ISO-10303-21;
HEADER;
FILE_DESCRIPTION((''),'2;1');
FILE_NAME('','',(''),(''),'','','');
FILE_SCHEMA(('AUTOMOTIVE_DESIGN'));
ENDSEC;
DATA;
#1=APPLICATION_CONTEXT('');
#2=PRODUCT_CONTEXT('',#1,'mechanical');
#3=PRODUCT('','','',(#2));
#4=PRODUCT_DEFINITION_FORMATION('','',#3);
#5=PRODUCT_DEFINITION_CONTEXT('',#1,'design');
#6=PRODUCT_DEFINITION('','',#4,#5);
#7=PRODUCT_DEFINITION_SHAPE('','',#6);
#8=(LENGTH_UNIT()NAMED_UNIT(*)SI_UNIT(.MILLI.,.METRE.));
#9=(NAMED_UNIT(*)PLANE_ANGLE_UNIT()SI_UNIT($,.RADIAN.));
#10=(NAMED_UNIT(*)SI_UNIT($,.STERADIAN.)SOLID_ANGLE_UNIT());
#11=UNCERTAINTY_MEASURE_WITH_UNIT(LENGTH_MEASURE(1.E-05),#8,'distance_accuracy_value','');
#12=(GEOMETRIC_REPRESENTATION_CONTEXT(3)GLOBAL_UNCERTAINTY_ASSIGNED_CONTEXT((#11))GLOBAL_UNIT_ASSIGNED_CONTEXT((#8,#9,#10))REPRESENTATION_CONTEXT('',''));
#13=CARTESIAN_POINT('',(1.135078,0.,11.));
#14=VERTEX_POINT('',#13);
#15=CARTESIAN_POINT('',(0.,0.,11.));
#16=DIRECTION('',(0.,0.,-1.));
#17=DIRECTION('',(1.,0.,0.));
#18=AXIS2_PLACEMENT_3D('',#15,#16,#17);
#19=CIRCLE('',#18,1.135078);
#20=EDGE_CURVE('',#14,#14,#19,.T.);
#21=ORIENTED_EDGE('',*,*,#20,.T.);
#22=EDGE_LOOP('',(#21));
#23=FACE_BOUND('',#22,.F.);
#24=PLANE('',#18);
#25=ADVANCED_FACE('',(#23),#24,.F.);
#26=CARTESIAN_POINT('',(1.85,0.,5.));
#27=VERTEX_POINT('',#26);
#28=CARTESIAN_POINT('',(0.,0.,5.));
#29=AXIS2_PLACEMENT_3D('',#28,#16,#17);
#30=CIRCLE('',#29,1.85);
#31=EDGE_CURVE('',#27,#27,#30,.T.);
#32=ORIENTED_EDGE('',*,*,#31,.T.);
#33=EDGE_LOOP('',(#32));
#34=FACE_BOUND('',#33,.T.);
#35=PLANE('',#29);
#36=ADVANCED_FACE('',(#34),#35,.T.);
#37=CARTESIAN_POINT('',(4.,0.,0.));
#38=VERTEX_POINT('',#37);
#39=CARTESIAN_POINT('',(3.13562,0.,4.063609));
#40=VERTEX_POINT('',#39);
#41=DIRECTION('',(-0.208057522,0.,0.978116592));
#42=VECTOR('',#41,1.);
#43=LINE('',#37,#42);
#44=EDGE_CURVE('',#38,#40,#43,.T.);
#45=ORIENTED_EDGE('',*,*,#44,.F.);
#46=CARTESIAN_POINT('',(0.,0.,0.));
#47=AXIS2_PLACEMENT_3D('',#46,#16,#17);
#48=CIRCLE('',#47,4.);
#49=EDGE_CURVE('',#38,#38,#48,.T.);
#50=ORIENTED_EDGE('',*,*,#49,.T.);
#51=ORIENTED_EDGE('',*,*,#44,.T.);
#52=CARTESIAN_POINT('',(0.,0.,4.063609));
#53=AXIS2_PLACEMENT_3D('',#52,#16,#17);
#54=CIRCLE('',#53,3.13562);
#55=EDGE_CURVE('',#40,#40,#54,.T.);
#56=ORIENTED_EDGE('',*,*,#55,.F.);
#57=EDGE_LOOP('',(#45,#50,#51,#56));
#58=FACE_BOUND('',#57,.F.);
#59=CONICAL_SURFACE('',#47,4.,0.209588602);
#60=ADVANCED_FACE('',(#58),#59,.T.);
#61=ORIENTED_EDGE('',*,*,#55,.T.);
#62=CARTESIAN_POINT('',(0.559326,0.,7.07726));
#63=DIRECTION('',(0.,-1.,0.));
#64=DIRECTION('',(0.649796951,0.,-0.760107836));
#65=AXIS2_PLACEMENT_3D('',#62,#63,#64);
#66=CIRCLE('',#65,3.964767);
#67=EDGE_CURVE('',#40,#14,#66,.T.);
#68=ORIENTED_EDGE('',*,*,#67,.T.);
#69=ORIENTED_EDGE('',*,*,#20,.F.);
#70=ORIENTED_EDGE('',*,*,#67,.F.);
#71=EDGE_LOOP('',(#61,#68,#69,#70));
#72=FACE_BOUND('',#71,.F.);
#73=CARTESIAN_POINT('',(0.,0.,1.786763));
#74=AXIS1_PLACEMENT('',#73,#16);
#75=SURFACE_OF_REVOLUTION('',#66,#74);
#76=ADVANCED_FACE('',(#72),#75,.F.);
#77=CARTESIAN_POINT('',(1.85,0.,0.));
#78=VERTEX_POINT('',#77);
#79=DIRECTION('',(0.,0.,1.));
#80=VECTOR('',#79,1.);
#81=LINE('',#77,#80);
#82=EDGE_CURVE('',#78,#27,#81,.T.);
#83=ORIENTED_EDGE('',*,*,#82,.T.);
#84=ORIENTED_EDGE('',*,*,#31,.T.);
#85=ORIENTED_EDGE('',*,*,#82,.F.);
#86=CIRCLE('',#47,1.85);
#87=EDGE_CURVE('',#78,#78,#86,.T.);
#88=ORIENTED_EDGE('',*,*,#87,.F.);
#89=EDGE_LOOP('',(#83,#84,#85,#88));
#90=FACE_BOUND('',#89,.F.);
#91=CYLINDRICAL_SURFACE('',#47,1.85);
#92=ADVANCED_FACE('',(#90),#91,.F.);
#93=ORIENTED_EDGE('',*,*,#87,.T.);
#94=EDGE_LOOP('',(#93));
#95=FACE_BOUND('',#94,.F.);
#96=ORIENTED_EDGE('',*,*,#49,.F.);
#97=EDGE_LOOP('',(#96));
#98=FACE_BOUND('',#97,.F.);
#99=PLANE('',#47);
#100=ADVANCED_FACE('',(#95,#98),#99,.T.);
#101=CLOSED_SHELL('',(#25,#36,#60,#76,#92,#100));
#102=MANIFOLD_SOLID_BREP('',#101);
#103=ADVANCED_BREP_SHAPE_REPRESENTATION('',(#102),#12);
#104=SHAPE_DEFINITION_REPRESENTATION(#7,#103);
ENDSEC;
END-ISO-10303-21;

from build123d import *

# Parameters (mm, degrees)
F2_R     = 1.85
F3_DEPTH = 5


with BuildPart() as f1:
    # F0 (on Front) → F1 (revolve)
    with BuildSketch(Plane.XZ):
        with BuildLine():
            Line((0, 11), (0, 0))
            Line((0, 0), (4, 0))
            Line((4, 0), (3.13562, 4.063609))
            ThreePointArc((3.13562, 4.063609), (4.368818, 8.175965), (1.135078, 11))
            Line((1.135078, 11), (0, 11))
        make_face()
    revolve(axis=Axis((0, 0, 1.786763), (0, 0, -1)))

    # F2 (on face) → F3 (cut)
    with BuildSketch(Plane(origin=(0, 0, 0), x_dir=(1, 0, 0), z_dir=(0, 0, -1))):
        Circle(F2_R)
    extrude(amount=-F3_DEPTH, mode=Mode.SUBTRACT)


solid = f1.part
